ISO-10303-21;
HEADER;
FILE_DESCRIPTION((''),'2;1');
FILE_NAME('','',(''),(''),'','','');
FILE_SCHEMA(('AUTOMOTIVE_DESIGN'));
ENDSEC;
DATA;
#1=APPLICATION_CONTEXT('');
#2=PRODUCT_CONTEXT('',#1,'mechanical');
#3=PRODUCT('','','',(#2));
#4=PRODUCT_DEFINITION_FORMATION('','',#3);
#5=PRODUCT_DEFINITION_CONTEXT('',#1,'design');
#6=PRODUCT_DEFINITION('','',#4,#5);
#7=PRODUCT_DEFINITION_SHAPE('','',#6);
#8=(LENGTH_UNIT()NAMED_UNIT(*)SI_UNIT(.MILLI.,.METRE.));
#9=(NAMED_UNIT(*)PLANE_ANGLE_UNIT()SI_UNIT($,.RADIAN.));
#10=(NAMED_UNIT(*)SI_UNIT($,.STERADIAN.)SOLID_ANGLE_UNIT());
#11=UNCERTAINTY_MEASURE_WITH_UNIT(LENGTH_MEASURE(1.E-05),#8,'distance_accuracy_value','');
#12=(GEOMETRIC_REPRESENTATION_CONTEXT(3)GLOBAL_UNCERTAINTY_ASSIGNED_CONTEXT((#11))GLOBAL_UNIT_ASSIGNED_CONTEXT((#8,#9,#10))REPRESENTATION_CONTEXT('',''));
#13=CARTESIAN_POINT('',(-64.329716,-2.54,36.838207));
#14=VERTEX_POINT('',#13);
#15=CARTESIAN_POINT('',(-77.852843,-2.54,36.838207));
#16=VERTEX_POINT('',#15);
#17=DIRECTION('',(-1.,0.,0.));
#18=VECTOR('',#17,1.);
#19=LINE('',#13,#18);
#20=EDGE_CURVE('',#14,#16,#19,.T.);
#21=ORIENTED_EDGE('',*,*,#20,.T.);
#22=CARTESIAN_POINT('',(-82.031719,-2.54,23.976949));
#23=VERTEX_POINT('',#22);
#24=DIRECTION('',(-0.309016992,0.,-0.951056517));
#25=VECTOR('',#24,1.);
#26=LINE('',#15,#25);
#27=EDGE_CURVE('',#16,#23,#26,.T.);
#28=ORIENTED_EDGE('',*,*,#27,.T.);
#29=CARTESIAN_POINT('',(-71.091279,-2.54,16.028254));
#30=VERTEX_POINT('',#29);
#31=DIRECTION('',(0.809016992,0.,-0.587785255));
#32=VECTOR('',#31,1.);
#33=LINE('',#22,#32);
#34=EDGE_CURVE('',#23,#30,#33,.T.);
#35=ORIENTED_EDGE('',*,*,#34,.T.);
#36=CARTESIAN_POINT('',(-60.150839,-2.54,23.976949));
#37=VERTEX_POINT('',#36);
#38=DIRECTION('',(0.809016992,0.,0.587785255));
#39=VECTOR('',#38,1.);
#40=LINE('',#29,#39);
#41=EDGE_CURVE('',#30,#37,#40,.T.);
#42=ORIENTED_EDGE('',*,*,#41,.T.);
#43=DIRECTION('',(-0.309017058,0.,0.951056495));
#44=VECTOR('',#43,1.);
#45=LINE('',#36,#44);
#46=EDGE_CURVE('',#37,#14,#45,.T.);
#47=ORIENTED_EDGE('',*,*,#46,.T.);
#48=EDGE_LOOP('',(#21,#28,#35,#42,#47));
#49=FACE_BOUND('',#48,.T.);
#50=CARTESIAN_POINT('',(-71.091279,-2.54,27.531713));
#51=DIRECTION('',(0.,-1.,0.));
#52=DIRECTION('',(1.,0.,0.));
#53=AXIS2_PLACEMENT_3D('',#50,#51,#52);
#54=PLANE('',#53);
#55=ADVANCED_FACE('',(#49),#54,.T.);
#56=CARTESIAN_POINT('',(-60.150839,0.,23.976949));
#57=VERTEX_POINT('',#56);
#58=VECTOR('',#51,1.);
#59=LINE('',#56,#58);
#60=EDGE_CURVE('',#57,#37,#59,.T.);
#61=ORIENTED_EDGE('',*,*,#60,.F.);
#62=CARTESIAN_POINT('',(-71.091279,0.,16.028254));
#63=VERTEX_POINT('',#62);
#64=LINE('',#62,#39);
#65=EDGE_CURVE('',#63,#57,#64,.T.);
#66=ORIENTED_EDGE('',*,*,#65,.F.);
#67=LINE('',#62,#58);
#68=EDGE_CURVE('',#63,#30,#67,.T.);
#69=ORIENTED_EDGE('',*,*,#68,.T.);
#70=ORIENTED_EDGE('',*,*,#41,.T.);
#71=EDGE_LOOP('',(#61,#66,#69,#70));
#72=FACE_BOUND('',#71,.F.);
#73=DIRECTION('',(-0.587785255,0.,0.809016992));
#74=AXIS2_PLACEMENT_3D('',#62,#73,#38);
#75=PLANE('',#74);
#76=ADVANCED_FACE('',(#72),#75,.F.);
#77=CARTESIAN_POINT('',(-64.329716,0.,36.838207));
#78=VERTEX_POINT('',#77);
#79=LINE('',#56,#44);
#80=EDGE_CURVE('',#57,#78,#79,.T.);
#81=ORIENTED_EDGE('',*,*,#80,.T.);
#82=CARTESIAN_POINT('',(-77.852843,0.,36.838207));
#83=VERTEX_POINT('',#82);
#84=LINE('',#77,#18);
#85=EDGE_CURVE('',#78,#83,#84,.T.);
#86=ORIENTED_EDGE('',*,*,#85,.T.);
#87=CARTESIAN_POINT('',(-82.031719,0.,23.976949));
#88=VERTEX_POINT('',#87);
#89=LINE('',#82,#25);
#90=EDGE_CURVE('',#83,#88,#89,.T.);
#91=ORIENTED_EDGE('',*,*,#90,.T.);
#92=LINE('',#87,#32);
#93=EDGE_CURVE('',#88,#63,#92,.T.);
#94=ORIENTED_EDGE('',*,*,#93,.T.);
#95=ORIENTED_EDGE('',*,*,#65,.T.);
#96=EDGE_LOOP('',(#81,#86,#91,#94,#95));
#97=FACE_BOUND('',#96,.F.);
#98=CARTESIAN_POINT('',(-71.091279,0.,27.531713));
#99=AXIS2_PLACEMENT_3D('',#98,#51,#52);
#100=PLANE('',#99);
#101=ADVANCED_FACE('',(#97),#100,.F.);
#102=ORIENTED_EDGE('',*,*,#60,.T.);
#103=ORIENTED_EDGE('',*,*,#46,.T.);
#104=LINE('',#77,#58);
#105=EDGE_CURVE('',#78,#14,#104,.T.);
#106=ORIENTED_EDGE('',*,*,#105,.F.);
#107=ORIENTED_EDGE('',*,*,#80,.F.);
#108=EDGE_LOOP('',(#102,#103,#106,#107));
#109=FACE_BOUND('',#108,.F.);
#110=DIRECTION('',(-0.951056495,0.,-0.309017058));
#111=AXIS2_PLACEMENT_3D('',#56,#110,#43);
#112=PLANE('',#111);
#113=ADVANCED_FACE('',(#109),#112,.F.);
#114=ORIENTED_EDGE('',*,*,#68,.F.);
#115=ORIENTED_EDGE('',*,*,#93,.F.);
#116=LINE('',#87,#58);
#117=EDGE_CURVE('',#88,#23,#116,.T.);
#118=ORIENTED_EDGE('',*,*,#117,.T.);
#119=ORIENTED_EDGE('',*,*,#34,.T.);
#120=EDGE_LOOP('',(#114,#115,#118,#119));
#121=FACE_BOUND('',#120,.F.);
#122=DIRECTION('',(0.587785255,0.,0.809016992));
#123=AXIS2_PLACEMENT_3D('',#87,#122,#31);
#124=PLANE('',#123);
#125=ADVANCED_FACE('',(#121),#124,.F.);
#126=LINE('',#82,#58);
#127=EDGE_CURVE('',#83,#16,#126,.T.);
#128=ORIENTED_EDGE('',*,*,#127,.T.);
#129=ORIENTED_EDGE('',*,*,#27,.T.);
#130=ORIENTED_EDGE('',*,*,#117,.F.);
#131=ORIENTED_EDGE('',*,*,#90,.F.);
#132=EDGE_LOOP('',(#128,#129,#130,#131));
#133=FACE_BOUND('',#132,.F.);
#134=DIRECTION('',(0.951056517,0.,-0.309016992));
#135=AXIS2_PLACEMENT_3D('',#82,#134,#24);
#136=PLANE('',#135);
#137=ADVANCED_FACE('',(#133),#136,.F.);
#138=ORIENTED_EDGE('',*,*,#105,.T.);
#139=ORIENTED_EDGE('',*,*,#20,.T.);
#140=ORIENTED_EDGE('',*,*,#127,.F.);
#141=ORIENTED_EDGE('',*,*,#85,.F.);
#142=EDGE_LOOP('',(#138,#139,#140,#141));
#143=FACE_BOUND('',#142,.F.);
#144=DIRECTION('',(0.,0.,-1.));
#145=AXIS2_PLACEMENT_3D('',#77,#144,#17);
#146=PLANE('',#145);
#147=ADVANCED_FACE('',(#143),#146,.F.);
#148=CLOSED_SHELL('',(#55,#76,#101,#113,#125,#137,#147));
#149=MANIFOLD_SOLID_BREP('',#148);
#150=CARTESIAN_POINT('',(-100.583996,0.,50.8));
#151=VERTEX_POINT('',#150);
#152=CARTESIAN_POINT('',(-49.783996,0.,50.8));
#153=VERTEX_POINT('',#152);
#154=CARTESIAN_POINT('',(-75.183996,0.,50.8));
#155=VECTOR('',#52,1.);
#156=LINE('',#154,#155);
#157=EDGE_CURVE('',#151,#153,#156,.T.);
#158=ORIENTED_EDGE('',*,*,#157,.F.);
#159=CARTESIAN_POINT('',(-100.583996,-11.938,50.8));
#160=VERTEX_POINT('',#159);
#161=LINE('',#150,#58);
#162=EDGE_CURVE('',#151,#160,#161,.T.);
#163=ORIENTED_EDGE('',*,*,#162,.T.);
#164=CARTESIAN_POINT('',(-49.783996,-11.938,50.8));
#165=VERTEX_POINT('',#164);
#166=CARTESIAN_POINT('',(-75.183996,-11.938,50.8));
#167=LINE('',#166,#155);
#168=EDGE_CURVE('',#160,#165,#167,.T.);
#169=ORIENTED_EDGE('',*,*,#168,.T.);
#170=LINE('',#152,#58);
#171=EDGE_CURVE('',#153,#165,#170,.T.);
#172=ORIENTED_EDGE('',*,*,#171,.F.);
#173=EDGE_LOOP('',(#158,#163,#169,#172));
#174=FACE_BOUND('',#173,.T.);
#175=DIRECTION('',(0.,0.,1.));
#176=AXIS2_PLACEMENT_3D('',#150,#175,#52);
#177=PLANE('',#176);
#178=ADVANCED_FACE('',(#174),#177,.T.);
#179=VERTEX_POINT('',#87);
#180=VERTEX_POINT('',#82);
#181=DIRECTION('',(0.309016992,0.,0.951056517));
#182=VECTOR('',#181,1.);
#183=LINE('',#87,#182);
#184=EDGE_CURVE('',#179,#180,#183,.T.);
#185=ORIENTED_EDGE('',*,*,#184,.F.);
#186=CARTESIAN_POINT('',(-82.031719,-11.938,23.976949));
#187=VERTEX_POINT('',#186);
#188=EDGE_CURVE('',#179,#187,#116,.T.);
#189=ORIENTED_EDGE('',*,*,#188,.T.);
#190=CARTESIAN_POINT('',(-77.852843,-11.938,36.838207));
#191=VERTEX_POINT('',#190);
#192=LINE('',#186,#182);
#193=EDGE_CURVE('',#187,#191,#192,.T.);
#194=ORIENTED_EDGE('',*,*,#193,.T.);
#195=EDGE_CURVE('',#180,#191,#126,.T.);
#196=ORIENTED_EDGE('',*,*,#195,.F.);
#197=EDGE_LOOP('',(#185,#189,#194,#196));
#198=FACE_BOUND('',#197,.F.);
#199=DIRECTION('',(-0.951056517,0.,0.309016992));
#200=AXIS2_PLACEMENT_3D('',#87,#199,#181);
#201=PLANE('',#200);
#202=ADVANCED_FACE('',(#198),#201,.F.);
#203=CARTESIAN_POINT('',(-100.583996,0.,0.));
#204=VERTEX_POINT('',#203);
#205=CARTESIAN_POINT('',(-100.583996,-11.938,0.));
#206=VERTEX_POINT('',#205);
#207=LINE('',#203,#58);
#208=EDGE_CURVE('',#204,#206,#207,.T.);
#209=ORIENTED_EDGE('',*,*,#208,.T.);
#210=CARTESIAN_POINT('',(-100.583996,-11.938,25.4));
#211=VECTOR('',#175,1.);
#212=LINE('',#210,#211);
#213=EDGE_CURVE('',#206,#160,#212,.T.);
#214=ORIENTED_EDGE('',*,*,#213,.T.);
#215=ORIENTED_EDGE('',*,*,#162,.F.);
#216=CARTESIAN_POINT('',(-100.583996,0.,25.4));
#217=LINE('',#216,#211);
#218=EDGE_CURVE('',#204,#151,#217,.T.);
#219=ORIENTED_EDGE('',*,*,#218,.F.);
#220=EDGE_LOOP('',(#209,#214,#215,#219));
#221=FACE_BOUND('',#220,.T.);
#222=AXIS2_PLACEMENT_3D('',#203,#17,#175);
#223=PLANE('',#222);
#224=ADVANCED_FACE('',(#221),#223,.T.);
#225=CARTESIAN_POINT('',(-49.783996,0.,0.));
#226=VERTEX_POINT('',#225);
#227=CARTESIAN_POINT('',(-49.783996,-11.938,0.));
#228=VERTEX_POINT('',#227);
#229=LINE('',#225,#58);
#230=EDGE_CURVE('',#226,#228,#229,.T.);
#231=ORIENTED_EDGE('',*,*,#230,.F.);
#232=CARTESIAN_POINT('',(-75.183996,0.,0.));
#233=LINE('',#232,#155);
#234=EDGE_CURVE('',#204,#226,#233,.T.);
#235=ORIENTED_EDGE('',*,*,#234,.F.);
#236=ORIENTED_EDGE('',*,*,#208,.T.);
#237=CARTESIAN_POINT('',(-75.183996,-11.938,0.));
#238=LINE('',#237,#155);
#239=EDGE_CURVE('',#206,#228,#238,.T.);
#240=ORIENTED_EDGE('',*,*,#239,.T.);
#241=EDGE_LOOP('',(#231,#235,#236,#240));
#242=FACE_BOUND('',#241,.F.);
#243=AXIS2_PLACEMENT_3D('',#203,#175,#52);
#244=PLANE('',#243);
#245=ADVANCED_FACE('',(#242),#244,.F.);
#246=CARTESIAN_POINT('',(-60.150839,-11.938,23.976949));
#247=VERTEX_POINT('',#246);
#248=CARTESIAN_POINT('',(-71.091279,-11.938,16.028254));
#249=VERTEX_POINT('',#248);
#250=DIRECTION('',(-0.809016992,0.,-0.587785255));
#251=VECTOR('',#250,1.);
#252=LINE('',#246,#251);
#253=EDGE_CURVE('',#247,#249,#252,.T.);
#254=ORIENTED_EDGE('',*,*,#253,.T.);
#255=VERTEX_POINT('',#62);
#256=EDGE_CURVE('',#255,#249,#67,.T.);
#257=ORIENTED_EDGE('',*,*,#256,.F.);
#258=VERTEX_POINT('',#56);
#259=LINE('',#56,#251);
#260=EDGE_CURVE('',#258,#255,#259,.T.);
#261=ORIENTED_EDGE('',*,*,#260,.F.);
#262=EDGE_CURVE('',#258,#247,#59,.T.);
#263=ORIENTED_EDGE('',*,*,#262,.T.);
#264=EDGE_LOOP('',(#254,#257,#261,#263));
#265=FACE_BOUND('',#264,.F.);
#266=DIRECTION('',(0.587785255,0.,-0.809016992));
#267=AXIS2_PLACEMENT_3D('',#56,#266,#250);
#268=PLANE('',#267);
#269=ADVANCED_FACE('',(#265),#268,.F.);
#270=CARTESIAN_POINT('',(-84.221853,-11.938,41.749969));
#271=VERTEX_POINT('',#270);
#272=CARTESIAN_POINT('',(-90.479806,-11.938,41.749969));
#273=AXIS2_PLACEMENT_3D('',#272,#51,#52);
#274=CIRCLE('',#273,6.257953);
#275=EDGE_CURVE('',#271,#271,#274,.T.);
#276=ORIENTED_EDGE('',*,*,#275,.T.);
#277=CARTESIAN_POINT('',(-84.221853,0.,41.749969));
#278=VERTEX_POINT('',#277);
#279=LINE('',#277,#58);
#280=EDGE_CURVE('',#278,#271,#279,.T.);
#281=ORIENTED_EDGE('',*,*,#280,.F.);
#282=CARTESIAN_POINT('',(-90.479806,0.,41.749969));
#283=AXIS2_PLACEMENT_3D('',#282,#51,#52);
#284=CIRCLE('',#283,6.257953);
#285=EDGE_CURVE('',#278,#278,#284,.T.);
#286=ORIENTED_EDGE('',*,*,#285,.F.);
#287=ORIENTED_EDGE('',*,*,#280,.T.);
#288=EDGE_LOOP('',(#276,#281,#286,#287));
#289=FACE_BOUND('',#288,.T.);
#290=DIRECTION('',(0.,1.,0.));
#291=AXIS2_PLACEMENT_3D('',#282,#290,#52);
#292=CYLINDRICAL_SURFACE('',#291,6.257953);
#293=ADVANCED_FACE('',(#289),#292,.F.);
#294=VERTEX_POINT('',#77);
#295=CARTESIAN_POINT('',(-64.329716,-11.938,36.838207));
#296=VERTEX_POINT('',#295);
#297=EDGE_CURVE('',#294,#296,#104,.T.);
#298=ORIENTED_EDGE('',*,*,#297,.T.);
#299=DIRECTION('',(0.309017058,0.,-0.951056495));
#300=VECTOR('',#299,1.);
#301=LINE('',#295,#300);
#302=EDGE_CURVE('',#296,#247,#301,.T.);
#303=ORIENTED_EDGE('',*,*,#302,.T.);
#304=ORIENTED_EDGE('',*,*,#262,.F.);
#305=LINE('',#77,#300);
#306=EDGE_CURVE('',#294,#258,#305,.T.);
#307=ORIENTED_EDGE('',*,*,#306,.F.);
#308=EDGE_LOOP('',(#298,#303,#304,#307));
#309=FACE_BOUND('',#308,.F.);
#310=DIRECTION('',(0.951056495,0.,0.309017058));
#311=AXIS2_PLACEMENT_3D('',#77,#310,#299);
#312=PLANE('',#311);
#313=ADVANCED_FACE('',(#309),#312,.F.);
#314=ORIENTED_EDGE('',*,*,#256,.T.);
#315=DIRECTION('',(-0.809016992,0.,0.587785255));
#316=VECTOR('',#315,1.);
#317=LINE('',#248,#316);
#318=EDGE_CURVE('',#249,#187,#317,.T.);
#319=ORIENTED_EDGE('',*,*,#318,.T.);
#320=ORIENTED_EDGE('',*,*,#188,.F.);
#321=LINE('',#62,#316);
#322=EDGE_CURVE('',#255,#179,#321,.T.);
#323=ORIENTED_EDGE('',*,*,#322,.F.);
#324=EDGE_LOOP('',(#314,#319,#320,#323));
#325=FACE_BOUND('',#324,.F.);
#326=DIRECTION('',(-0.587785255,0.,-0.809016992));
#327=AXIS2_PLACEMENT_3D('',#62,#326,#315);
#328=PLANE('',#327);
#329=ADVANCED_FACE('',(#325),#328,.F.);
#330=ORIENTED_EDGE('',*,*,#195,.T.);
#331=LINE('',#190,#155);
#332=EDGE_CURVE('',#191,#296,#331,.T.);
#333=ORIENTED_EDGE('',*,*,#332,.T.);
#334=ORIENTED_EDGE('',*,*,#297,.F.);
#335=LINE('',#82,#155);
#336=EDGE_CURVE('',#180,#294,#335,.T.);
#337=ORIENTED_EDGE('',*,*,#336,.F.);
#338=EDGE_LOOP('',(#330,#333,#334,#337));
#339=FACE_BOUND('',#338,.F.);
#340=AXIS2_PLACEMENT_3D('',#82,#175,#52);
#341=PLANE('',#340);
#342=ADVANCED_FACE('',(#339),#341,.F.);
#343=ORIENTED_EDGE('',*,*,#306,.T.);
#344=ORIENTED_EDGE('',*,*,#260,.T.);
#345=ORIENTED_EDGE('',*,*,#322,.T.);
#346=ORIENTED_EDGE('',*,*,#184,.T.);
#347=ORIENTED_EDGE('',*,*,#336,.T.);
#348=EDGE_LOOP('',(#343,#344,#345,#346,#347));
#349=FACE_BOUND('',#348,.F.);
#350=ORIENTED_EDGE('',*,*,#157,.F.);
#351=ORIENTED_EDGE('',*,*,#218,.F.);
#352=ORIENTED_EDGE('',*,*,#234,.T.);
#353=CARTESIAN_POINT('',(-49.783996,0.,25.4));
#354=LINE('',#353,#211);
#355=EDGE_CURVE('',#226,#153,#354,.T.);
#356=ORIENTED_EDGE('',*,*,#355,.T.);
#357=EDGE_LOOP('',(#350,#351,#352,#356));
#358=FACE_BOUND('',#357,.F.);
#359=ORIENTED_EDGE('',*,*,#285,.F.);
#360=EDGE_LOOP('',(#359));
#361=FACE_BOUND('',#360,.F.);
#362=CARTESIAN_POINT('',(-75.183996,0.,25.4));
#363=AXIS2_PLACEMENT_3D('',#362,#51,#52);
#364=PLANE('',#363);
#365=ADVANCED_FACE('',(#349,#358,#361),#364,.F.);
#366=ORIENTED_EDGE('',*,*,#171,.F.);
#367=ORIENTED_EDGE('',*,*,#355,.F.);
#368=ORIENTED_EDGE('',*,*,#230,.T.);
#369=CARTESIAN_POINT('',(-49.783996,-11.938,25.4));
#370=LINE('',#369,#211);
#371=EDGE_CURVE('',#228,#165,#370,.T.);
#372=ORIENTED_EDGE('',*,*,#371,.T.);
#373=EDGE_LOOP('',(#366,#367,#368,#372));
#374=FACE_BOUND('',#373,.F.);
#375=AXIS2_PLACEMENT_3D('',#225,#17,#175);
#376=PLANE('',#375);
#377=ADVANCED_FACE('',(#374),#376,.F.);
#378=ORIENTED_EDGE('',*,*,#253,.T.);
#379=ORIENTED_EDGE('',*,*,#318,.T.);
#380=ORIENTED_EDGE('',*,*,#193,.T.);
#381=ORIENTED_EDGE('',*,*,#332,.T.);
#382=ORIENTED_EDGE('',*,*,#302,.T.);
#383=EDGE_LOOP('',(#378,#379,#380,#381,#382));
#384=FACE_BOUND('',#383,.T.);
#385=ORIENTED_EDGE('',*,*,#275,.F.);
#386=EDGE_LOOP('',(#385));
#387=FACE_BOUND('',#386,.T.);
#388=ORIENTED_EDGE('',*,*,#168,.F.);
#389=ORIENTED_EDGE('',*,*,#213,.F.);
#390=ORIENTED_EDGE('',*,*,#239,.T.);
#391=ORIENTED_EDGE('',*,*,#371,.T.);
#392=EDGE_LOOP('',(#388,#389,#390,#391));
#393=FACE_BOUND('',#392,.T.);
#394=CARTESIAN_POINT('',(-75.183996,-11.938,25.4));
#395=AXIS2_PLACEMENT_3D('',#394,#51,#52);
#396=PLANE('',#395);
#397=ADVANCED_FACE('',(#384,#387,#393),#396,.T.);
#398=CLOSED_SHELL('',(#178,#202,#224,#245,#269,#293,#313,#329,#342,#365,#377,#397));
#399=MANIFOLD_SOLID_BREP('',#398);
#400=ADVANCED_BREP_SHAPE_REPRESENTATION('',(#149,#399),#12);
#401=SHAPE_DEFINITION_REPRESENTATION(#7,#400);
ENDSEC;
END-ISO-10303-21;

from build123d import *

# Parameters (mm, degrees)
F1_DEPTH = 2.54
F0_W     = 50.8
F0_H     = 50.8
F0_R     = 6.257953
F2_DEPTH = 11.938


with BuildPart() as f1:
    # F0 (on Front) → F1 (new body)
    with BuildSketch(Plane.XZ):
        Polygon((-64.329716, 36.838207), (-77.852843, 36.838207), (-82.031719, 23.976949), (-71.091279, 16.028254), (-60.150839, 23.976949), align=None)
    extrude(amount=F1_DEPTH)


with BuildPart() as f2:
    # F0 (on Front) → F2 (new body)
    with BuildSketch(Plane.XZ):
        with Locations((-75.183996, 25.4)):
            Rectangle(F0_W, F0_H)
        with Locations((-90.479806, 41.749969)):
            Circle(F0_R, mode=Mode.SUBTRACT)
        Polygon((-82.031719, 23.976949), (-77.852843, 36.838207), (-64.329716, 36.838207), (-60.150839, 23.976949), (-71.091279, 16.028254), align=None, mode=Mode.SUBTRACT)
    extrude(amount=F2_DEPTH)


solid = Compound([f1.part, f2.part])
